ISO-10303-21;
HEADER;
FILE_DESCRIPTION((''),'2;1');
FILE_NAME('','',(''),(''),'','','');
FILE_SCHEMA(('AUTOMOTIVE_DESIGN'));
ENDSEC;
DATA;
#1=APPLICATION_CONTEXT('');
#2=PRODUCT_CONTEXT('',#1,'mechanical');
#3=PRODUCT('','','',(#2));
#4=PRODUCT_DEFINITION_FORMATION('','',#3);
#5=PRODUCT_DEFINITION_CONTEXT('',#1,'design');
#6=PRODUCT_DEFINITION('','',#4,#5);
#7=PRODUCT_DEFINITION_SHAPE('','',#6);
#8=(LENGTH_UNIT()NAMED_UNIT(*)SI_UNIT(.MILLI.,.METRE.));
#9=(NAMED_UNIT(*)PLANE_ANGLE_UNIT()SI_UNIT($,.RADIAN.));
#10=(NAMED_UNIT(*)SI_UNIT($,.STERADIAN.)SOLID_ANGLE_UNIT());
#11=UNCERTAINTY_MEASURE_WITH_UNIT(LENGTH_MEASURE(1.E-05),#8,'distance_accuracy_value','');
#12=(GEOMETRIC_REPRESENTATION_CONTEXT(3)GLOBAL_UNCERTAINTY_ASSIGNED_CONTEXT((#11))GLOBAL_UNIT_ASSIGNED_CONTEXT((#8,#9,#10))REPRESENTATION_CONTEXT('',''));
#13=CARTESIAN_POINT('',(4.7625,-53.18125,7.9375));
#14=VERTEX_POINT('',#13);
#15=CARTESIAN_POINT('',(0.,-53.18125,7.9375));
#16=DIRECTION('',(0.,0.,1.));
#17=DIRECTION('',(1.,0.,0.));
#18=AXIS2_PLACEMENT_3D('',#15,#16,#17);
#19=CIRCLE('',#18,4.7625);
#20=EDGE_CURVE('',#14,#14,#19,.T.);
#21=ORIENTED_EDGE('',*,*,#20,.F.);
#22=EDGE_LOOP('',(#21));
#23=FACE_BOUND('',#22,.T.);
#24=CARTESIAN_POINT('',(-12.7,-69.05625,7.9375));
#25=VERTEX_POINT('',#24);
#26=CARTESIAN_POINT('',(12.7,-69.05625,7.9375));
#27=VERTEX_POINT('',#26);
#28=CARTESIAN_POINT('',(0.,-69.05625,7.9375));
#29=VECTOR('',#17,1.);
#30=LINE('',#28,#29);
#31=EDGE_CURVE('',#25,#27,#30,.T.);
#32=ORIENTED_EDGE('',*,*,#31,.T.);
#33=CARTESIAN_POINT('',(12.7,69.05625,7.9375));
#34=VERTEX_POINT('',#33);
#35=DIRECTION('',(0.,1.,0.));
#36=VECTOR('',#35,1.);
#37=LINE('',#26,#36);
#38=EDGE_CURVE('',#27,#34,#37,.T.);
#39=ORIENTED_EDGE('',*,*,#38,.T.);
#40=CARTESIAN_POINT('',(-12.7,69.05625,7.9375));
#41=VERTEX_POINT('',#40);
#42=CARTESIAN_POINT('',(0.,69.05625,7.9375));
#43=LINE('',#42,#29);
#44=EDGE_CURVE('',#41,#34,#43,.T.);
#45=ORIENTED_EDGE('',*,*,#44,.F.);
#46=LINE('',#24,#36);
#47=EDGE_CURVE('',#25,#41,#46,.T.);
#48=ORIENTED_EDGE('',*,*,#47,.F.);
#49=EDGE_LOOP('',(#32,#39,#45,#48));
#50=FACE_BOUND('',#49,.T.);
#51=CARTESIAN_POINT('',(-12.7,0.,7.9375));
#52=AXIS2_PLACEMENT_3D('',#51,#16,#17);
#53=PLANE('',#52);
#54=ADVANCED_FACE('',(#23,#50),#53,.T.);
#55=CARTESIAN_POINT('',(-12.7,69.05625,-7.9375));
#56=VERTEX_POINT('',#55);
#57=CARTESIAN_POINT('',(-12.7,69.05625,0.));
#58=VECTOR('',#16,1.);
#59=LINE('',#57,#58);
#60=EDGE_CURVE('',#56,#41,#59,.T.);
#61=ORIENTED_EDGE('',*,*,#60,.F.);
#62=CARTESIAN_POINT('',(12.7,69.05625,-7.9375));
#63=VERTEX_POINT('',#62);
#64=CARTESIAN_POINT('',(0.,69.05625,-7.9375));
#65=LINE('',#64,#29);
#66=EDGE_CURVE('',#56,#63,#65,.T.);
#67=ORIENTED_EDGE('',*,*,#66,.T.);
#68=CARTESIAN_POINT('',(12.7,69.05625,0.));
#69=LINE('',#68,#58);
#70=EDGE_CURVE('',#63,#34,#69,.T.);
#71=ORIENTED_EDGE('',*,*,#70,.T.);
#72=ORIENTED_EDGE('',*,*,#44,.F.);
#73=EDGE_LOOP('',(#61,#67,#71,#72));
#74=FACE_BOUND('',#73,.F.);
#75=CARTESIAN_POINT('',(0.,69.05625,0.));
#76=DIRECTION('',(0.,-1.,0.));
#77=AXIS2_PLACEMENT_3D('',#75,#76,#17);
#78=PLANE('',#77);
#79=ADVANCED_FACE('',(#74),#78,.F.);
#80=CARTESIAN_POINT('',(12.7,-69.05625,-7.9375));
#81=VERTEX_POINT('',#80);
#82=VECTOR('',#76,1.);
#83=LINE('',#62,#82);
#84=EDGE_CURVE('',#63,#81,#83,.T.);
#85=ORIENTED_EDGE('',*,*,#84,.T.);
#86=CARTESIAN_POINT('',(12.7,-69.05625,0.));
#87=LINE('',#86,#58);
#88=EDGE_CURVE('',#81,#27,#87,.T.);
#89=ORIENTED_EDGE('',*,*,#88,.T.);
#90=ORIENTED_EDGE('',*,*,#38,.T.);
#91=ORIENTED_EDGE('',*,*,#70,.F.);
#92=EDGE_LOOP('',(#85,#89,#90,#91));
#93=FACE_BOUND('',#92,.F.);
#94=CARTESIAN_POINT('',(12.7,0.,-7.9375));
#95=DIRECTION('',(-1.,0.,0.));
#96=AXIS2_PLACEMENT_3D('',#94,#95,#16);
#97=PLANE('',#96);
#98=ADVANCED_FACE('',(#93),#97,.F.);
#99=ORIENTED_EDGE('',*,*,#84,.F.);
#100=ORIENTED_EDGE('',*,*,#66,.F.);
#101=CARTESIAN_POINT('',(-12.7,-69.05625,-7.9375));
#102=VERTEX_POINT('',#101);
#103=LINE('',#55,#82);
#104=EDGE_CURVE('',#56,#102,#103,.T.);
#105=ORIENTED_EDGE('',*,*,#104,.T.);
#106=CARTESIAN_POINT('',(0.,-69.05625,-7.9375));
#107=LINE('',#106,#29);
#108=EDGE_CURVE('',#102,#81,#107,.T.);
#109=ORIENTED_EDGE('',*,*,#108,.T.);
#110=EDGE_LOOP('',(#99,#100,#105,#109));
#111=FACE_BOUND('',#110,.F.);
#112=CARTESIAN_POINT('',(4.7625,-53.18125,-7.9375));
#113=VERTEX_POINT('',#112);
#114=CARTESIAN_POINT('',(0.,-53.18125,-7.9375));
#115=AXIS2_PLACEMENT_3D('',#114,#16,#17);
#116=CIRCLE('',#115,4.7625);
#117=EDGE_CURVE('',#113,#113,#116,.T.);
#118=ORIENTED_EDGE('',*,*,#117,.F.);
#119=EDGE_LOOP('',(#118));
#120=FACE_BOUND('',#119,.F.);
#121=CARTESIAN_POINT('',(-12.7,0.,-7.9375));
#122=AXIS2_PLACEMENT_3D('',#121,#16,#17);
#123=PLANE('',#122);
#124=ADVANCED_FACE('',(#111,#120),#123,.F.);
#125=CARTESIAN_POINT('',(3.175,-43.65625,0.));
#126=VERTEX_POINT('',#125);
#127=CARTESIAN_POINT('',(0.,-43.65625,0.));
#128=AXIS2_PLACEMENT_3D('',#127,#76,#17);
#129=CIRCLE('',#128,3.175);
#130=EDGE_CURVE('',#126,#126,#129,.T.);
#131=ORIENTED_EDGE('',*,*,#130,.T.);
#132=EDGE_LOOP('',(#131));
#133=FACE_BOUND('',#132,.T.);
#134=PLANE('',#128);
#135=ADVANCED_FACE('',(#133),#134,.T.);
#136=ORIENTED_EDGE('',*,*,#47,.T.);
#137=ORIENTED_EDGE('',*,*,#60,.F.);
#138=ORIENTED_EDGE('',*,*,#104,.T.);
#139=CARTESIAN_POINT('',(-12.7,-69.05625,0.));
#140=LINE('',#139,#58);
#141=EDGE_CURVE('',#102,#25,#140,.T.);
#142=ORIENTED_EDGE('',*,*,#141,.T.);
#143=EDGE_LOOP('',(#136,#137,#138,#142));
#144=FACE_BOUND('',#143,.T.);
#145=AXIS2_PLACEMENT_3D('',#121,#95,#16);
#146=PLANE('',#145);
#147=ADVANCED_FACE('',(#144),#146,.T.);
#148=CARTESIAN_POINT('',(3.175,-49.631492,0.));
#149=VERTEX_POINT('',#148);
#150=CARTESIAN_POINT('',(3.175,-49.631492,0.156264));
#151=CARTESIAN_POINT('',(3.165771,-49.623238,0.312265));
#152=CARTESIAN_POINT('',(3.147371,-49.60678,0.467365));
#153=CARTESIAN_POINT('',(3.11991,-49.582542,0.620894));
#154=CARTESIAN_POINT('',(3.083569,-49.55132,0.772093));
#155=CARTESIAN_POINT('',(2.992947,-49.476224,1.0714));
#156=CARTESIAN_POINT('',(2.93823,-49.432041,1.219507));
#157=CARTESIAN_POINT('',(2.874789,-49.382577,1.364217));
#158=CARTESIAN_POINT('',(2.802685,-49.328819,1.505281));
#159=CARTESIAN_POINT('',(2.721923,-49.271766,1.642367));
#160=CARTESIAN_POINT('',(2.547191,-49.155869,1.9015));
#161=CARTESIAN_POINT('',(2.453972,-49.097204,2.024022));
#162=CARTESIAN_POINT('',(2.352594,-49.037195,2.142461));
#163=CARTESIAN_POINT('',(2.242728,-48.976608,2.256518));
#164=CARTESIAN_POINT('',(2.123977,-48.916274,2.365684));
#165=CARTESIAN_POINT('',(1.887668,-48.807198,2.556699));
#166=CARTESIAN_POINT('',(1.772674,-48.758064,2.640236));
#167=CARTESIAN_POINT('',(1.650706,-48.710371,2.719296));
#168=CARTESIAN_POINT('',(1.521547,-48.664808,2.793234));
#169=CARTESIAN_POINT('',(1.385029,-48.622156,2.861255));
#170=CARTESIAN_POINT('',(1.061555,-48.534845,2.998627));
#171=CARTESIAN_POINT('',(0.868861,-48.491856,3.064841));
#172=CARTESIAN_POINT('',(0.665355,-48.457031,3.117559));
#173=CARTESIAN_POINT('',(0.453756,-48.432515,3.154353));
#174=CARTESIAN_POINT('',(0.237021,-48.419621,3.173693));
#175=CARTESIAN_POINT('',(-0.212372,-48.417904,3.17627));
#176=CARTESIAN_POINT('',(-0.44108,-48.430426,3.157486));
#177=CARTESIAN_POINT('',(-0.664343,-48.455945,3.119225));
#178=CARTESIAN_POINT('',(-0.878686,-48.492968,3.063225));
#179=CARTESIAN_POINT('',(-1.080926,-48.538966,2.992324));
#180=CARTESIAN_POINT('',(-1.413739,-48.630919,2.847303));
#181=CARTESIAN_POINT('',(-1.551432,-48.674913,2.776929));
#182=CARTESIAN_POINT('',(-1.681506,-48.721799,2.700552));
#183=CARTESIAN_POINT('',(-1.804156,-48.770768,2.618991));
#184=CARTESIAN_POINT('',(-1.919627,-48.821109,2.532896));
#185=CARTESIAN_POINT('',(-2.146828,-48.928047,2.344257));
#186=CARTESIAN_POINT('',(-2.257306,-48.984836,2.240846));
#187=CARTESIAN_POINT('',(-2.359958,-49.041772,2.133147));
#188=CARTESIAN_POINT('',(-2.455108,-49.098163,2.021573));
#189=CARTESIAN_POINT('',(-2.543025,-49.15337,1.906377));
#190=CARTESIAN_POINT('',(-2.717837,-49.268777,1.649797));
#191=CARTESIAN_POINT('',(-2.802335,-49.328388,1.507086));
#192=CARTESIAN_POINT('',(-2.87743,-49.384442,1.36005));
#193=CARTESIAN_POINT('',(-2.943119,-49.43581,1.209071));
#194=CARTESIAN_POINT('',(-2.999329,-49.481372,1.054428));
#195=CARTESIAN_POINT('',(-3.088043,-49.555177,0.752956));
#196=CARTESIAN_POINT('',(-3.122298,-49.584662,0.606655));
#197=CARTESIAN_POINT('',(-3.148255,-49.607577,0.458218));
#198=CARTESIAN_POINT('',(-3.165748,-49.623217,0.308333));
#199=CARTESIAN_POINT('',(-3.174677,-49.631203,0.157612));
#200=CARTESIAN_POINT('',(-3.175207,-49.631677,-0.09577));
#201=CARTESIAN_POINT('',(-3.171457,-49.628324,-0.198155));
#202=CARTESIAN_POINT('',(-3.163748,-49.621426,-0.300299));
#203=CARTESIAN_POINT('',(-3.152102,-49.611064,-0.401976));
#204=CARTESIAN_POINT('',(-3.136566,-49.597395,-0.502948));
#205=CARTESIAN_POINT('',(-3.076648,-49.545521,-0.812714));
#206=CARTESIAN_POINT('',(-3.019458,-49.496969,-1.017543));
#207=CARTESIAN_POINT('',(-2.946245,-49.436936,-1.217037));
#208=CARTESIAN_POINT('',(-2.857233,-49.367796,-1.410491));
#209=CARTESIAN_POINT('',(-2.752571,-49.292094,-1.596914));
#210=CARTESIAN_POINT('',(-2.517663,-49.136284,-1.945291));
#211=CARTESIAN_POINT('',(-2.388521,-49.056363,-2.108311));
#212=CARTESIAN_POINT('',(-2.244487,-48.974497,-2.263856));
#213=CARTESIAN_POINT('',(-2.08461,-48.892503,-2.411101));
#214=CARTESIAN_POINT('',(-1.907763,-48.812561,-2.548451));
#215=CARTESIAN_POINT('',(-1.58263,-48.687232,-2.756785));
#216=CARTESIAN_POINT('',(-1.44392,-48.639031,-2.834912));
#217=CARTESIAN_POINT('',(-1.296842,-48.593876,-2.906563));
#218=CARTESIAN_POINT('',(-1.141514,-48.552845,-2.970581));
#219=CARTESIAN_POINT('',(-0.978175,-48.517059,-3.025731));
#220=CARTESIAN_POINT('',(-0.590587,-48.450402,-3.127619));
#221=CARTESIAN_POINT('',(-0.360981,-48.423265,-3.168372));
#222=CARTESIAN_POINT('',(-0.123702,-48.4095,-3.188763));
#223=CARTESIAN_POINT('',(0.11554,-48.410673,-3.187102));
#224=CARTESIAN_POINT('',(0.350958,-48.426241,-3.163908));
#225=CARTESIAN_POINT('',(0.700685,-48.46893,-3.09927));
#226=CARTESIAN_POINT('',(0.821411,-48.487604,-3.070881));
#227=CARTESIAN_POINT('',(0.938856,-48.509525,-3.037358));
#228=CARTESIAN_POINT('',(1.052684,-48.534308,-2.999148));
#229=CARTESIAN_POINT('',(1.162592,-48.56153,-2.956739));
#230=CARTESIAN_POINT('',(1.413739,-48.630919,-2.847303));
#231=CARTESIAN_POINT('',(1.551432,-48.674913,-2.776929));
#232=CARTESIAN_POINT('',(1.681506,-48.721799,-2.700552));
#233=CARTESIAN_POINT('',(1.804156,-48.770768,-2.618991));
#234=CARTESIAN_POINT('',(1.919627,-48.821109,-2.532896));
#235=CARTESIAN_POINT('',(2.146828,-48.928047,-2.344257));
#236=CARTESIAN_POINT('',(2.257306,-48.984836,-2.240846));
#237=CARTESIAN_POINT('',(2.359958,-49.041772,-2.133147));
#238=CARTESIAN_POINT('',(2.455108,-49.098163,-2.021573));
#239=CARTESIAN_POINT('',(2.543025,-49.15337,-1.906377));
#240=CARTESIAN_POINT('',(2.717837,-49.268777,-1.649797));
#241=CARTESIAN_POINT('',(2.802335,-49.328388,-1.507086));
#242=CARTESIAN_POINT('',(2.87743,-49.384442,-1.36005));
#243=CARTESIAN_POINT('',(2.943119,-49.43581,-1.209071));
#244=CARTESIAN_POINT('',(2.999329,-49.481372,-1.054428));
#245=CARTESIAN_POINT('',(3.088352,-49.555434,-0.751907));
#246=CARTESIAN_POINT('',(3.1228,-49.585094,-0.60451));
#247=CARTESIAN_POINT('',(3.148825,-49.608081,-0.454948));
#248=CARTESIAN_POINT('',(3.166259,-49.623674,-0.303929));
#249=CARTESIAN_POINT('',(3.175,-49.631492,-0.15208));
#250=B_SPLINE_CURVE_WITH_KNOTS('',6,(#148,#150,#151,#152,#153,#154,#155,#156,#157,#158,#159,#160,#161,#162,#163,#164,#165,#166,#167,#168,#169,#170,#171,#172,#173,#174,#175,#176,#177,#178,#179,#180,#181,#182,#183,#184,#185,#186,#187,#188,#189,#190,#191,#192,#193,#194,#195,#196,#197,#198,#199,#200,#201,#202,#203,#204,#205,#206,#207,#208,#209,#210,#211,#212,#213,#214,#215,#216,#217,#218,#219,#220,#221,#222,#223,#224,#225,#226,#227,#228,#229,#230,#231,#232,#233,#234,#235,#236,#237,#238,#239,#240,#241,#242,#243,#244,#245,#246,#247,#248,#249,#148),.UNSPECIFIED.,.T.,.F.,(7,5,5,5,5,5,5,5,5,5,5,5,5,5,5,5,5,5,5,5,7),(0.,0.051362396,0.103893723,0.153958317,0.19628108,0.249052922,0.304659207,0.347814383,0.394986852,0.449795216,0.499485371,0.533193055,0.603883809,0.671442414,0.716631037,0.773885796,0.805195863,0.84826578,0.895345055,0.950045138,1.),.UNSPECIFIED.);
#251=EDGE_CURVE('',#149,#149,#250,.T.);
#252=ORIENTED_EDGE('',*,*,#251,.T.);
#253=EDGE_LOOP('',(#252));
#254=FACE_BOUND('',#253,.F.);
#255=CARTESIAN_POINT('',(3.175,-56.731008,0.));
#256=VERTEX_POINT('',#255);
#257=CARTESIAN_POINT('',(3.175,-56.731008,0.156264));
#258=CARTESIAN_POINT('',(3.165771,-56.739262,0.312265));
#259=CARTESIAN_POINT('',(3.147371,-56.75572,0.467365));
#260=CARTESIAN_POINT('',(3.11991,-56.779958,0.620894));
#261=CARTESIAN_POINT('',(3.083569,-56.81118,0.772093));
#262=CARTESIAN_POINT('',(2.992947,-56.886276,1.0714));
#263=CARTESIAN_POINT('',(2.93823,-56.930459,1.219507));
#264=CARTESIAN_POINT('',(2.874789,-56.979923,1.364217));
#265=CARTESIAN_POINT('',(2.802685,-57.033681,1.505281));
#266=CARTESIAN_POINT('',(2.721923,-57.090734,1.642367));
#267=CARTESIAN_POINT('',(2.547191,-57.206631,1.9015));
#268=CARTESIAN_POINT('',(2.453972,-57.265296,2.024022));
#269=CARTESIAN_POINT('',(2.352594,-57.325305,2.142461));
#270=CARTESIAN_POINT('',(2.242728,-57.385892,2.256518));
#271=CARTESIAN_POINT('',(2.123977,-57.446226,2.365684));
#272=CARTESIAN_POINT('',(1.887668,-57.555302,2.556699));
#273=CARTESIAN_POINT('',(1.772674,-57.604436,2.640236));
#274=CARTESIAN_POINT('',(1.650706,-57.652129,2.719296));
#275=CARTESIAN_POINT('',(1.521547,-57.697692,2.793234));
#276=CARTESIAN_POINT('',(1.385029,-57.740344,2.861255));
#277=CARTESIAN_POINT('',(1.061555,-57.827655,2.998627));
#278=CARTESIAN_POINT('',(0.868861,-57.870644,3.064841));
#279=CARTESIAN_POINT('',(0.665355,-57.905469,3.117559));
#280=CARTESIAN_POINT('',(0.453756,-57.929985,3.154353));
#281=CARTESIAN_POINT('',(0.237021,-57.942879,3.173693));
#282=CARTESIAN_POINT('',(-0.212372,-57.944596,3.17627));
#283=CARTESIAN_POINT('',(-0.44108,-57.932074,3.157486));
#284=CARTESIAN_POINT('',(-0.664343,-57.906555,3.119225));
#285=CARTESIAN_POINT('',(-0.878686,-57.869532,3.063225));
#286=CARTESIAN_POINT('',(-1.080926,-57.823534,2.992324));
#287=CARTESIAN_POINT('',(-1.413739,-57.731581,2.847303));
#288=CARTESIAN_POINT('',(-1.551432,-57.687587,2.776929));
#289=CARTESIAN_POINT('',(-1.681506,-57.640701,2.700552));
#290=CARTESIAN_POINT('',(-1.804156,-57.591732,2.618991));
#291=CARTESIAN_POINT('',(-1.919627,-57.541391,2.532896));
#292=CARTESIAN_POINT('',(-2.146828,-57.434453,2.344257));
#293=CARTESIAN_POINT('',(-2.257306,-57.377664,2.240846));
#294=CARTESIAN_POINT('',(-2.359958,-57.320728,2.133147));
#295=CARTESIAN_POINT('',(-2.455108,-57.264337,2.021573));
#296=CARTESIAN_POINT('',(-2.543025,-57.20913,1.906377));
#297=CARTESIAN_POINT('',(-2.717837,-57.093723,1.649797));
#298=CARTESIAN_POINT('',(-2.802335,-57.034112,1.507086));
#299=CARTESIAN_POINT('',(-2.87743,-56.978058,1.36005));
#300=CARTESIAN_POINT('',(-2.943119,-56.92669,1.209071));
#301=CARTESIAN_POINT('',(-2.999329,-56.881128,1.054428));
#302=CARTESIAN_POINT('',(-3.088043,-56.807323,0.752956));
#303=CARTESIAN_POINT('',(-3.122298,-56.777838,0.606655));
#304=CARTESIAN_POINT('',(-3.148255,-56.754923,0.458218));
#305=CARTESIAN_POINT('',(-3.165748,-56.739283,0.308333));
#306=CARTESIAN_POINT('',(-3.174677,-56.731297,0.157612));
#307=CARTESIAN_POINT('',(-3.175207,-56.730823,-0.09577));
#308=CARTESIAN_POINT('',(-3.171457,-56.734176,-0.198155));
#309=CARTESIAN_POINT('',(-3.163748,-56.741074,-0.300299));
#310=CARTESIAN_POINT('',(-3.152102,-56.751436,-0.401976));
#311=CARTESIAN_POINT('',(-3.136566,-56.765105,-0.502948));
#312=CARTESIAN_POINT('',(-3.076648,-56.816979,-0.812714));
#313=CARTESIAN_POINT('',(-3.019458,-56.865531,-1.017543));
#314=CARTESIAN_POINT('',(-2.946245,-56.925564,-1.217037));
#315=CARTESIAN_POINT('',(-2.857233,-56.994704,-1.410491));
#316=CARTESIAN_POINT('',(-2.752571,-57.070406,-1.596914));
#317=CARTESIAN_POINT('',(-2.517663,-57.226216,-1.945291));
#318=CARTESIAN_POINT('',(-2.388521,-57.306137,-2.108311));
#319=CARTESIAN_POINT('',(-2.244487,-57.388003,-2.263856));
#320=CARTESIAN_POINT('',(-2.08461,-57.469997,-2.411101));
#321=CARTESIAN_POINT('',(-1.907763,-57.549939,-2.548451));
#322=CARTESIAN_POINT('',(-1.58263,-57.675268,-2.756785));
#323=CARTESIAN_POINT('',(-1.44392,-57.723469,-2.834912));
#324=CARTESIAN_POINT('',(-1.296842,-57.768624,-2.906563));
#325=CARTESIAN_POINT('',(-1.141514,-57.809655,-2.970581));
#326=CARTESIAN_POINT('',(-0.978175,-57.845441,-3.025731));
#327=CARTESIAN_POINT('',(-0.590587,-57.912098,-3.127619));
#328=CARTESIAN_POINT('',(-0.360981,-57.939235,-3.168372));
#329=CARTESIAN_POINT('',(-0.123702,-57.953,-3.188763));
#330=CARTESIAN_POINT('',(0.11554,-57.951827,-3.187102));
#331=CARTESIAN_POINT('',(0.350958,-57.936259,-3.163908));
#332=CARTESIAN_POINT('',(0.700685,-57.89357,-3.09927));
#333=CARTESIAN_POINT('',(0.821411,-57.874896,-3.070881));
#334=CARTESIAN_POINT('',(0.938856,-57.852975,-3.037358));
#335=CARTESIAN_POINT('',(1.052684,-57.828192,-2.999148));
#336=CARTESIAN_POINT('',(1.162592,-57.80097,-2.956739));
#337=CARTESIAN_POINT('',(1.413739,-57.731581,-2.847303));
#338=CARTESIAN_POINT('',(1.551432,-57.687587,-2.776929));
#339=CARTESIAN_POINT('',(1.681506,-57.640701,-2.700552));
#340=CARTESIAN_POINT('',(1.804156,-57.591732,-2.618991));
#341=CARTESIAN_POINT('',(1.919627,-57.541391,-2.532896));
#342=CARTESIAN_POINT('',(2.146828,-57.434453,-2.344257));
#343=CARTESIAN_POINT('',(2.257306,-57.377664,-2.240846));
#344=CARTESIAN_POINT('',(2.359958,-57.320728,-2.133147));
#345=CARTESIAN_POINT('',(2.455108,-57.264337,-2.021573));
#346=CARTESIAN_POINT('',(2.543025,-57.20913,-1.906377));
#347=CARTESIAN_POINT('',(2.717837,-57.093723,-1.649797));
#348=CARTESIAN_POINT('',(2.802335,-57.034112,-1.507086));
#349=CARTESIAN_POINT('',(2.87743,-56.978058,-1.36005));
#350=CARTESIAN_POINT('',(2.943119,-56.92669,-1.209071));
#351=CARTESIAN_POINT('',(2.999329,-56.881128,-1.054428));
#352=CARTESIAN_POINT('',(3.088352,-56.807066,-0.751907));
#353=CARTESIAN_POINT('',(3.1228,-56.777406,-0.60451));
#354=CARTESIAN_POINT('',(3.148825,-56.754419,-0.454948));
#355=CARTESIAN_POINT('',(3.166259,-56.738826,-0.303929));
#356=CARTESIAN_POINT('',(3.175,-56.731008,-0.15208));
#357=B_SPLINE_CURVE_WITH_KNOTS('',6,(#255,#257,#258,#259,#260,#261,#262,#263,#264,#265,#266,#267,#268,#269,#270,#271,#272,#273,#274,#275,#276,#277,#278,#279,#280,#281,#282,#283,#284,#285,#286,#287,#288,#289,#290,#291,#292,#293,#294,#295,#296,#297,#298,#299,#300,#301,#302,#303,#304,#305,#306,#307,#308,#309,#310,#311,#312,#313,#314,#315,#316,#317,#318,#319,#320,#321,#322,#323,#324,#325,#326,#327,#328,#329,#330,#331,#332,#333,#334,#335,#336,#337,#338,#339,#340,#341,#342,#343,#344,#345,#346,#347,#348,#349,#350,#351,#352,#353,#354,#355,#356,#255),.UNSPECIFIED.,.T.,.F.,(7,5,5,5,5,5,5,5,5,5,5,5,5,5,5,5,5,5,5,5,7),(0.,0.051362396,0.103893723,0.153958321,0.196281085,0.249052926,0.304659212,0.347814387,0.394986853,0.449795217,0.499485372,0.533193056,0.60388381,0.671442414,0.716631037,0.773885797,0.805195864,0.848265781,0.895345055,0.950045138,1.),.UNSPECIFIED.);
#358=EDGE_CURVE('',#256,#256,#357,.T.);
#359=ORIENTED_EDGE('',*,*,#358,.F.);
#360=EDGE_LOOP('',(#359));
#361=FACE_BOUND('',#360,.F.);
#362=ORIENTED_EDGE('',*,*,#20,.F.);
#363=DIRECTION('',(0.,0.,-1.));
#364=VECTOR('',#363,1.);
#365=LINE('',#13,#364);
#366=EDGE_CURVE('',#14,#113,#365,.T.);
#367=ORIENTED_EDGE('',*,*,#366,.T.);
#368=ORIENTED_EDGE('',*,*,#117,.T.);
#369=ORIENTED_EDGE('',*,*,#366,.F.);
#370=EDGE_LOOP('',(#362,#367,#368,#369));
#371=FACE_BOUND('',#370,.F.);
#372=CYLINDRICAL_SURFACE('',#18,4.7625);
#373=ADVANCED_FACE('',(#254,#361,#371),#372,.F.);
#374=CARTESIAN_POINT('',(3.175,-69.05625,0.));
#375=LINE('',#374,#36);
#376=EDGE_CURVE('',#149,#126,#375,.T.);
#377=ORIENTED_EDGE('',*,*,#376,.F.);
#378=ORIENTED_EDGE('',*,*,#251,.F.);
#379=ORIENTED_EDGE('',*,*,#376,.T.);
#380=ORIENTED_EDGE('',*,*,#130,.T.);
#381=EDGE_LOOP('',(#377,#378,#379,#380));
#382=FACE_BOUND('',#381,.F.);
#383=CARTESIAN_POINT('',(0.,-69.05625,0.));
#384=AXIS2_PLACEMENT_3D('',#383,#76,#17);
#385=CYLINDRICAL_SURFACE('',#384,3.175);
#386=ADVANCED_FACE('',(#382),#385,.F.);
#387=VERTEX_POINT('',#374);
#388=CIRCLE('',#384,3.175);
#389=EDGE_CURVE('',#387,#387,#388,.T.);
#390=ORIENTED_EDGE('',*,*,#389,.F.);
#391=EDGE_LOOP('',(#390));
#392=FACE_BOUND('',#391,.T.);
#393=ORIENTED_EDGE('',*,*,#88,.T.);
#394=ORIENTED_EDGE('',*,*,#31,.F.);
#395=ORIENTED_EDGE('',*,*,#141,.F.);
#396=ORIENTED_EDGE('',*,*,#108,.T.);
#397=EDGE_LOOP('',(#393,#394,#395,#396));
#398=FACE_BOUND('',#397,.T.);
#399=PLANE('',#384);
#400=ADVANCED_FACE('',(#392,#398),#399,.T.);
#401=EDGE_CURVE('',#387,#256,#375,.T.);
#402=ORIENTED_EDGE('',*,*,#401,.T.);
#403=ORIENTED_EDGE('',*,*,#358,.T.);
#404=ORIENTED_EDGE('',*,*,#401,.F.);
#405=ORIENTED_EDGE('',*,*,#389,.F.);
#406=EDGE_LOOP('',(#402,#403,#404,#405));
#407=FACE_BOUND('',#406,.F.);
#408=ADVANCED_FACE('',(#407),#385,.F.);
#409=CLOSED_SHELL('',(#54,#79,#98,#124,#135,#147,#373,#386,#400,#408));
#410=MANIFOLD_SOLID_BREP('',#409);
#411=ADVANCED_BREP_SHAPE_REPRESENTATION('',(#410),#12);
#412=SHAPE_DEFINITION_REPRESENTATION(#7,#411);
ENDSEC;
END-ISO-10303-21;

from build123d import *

# Parameters (mm, degrees)
F0_W          = 25.4
F0_H          = 15.875
F1_DEPTH      = 69.05625
F1_DEPTH_BACK = 69.05625
F2_R          = 4.7625
F3_DEPTH      = 15.876
F4_R          = 3.175
F5_DEPTH      = 25.4


with BuildPart() as f1:
    # F0 (on Front) → F1 (new body, two sides)
    with BuildSketch(Plane.XZ) as f1_sk:
        Rectangle(F0_W, F0_H)
    extrude(amount=-F1_DEPTH)
    extrude(f1_sk.sketch, amount=F1_DEPTH_BACK)

    # F2 (on face) → F3 (cut, through all)
    with BuildSketch(Plane.XY.offset(7.9375)):
        with Locations((0, -53.18125)):
            Circle(F2_R)
    extrude(amount=-F3_DEPTH, mode=Mode.SUBTRACT)

    # F4 (on face) → F5 (cut)
    with BuildSketch(Plane.XZ.offset(69.05625)):
        Circle(F4_R)
    extrude(amount=-F5_DEPTH, mode=Mode.SUBTRACT)


solid = f1.part
